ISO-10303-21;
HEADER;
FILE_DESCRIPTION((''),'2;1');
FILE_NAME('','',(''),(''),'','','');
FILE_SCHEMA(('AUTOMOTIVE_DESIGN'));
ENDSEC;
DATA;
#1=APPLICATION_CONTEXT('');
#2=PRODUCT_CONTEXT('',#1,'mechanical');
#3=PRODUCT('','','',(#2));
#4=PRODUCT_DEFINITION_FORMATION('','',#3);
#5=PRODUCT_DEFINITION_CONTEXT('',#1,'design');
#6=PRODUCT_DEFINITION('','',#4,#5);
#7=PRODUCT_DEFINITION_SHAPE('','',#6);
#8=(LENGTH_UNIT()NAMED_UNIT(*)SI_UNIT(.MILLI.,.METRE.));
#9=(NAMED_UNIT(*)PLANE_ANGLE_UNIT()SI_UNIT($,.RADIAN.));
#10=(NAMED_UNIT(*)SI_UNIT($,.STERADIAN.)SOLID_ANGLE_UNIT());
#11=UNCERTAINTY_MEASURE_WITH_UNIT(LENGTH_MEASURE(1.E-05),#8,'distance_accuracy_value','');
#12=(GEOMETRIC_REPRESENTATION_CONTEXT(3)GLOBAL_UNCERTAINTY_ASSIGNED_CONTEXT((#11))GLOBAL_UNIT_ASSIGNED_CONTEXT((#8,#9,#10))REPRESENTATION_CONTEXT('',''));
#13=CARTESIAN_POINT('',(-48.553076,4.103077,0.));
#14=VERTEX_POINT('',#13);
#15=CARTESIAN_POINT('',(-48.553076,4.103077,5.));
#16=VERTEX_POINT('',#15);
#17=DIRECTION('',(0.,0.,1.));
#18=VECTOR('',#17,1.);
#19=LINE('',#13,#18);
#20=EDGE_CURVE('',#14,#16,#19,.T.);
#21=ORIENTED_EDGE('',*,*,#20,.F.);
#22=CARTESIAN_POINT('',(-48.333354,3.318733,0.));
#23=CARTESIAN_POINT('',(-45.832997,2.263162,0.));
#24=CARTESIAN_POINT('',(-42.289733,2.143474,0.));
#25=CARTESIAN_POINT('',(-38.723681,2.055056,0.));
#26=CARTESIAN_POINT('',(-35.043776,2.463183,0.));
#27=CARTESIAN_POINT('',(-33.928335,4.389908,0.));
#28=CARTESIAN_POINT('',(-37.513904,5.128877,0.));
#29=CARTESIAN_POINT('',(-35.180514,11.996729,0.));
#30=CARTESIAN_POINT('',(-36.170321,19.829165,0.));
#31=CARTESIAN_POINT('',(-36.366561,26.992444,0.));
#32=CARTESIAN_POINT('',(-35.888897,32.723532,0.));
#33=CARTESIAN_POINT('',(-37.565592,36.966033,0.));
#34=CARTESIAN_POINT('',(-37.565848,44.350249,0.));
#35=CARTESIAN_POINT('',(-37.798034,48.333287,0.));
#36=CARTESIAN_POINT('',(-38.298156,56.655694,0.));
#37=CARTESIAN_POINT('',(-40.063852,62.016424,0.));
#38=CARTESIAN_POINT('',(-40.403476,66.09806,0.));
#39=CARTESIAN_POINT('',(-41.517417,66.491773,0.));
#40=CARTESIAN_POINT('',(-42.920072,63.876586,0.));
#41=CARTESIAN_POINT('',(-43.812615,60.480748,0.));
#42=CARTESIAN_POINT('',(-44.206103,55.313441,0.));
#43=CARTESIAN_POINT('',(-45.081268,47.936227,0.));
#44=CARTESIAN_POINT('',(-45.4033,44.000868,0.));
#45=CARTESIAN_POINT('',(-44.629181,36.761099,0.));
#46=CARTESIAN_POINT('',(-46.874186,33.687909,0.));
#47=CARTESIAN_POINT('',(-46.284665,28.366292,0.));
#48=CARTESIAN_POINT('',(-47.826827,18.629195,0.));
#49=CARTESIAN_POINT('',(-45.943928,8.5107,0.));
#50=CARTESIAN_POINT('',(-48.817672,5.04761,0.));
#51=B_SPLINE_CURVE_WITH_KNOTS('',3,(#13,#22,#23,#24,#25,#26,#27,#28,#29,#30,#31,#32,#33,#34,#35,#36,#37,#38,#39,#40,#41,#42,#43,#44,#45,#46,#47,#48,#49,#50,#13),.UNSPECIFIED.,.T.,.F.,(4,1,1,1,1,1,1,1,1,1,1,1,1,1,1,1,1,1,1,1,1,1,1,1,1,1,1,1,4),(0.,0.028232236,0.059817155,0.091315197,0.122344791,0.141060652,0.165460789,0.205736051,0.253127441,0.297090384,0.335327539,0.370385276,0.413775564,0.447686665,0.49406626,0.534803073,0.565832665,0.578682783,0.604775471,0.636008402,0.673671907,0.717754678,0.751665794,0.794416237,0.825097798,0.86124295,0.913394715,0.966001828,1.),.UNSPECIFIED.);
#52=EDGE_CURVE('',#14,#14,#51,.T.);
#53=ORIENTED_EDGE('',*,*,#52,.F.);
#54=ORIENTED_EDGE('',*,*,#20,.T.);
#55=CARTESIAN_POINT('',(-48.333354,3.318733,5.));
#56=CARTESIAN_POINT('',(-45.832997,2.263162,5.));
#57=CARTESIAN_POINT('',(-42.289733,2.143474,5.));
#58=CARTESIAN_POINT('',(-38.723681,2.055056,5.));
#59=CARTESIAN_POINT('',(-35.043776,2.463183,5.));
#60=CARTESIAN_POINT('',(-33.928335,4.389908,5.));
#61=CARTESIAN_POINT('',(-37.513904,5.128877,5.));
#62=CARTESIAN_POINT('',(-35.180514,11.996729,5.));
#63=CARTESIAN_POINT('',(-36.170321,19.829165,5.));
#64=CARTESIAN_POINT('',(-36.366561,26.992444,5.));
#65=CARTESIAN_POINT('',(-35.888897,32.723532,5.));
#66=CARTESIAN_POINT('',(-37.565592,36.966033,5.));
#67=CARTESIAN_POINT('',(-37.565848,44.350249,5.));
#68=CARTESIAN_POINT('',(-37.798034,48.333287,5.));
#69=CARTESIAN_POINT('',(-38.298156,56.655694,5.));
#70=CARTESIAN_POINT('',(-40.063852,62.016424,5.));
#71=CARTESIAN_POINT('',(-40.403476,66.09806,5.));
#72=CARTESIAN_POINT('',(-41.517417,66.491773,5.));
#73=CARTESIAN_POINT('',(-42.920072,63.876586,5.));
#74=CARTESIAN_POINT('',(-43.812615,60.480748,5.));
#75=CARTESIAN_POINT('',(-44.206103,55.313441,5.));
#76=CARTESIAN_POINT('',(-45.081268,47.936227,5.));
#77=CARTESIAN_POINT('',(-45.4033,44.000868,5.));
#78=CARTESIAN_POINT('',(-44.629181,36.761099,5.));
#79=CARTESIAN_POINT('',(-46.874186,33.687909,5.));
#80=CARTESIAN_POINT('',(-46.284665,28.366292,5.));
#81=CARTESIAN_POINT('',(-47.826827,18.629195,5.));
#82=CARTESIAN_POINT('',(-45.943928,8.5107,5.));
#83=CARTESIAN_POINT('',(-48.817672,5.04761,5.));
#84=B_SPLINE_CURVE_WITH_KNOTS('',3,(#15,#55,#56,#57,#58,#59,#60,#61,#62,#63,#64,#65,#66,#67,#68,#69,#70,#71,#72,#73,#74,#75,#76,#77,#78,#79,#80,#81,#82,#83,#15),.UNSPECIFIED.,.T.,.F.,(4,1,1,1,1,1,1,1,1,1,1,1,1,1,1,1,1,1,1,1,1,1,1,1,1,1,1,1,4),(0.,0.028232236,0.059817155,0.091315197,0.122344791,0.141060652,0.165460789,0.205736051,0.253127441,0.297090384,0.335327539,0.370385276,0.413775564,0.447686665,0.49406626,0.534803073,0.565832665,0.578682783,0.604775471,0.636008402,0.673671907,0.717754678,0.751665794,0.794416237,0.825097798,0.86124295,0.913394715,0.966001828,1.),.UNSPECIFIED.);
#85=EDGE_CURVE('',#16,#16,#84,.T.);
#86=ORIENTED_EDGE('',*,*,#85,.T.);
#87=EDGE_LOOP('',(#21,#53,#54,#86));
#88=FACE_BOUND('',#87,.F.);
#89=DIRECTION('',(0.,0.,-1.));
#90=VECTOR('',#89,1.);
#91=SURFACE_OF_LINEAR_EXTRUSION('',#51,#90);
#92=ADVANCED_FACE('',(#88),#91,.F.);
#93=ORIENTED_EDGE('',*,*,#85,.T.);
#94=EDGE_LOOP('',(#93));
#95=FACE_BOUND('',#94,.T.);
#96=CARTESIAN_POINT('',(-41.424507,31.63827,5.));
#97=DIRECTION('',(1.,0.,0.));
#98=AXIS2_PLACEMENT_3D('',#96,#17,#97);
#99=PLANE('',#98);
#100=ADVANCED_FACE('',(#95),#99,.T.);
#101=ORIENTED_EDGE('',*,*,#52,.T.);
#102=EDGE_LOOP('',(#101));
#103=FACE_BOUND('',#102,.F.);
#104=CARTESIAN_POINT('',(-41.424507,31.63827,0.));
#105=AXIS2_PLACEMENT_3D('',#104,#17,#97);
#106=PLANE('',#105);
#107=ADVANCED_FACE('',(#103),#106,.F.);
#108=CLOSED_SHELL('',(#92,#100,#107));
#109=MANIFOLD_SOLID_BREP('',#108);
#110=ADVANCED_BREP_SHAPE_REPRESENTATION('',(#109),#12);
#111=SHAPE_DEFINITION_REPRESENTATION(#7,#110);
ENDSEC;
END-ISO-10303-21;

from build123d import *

# Parameters (mm, degrees)
F1_DEPTH = 5


with BuildPart() as f1:
    # F0 (on Top) → F1 (new body)
    with BuildSketch(Plane.XY):
        with BuildLine():
            add(Edge.make_bspline(
                [(-48.5530756414, 4.1030771099), (-48.3333535362, 3.3187328034), (-45.832997103, 2.2631618155), (-42.2897327994, 2.1434742221), (-38.7236805996, 2.0550559613), (-35.0437758494, 2.463182881), (-33.9283346733, 4.389907805), (-37.5139039628, 5.1288771126), (-35.180513813, 11.9967290498), (-36.1703214969, 19.8291645579), (-36.3665606954, 26.9924439426), (-35.8888970523, 32.7235323366), (-37.5655917152, 36.9660333299), (-37.565847933, 44.3502492131), (-37.7980343297, 48.3332874851), (-38.2981563579, 56.655693986), (-40.0638519674, 62.0164241218), (-40.403476262, 66.0980596666), (-41.5174166255, 66.4917725903), (-42.9200717749, 63.8765858328), (-43.812614609, 60.4807479809), (-44.2061031919, 55.3134410258), (-45.0812676833, 47.9362269986), (-45.403300488, 44.0008676692), (-44.6291810875, 36.7610988935), (-46.8741856244, 33.6879087946), (-46.2846649942, 28.3662916366), (-47.8268266375, 18.6291945903), (-45.9439275643, 8.5107003977), (-48.8176721081, 5.0476098959), (-48.5530756414, 4.1030771099)],
                knots=[0, 0, 0, 0, 0.0282322361, 0.0598171546, 0.0913151968, 0.1223447906, 0.1410606516, 0.1654607885, 0.2057360513, 0.2531274412, 0.2970903842, 0.335327539, 0.3703852764, 0.4137755641, 0.4476866654, 0.4940662602, 0.5348030734, 0.5658326648, 0.5786827833, 0.6047754715, 0.6360084018, 0.6736719071, 0.717754678, 0.751665794, 0.7944162372, 0.8250977984, 0.86124295, 0.9133947151, 0.966001828, 1, 1, 1, 1], degree=3))
        make_face()
    extrude(amount=F1_DEPTH)


solid = f1.part
